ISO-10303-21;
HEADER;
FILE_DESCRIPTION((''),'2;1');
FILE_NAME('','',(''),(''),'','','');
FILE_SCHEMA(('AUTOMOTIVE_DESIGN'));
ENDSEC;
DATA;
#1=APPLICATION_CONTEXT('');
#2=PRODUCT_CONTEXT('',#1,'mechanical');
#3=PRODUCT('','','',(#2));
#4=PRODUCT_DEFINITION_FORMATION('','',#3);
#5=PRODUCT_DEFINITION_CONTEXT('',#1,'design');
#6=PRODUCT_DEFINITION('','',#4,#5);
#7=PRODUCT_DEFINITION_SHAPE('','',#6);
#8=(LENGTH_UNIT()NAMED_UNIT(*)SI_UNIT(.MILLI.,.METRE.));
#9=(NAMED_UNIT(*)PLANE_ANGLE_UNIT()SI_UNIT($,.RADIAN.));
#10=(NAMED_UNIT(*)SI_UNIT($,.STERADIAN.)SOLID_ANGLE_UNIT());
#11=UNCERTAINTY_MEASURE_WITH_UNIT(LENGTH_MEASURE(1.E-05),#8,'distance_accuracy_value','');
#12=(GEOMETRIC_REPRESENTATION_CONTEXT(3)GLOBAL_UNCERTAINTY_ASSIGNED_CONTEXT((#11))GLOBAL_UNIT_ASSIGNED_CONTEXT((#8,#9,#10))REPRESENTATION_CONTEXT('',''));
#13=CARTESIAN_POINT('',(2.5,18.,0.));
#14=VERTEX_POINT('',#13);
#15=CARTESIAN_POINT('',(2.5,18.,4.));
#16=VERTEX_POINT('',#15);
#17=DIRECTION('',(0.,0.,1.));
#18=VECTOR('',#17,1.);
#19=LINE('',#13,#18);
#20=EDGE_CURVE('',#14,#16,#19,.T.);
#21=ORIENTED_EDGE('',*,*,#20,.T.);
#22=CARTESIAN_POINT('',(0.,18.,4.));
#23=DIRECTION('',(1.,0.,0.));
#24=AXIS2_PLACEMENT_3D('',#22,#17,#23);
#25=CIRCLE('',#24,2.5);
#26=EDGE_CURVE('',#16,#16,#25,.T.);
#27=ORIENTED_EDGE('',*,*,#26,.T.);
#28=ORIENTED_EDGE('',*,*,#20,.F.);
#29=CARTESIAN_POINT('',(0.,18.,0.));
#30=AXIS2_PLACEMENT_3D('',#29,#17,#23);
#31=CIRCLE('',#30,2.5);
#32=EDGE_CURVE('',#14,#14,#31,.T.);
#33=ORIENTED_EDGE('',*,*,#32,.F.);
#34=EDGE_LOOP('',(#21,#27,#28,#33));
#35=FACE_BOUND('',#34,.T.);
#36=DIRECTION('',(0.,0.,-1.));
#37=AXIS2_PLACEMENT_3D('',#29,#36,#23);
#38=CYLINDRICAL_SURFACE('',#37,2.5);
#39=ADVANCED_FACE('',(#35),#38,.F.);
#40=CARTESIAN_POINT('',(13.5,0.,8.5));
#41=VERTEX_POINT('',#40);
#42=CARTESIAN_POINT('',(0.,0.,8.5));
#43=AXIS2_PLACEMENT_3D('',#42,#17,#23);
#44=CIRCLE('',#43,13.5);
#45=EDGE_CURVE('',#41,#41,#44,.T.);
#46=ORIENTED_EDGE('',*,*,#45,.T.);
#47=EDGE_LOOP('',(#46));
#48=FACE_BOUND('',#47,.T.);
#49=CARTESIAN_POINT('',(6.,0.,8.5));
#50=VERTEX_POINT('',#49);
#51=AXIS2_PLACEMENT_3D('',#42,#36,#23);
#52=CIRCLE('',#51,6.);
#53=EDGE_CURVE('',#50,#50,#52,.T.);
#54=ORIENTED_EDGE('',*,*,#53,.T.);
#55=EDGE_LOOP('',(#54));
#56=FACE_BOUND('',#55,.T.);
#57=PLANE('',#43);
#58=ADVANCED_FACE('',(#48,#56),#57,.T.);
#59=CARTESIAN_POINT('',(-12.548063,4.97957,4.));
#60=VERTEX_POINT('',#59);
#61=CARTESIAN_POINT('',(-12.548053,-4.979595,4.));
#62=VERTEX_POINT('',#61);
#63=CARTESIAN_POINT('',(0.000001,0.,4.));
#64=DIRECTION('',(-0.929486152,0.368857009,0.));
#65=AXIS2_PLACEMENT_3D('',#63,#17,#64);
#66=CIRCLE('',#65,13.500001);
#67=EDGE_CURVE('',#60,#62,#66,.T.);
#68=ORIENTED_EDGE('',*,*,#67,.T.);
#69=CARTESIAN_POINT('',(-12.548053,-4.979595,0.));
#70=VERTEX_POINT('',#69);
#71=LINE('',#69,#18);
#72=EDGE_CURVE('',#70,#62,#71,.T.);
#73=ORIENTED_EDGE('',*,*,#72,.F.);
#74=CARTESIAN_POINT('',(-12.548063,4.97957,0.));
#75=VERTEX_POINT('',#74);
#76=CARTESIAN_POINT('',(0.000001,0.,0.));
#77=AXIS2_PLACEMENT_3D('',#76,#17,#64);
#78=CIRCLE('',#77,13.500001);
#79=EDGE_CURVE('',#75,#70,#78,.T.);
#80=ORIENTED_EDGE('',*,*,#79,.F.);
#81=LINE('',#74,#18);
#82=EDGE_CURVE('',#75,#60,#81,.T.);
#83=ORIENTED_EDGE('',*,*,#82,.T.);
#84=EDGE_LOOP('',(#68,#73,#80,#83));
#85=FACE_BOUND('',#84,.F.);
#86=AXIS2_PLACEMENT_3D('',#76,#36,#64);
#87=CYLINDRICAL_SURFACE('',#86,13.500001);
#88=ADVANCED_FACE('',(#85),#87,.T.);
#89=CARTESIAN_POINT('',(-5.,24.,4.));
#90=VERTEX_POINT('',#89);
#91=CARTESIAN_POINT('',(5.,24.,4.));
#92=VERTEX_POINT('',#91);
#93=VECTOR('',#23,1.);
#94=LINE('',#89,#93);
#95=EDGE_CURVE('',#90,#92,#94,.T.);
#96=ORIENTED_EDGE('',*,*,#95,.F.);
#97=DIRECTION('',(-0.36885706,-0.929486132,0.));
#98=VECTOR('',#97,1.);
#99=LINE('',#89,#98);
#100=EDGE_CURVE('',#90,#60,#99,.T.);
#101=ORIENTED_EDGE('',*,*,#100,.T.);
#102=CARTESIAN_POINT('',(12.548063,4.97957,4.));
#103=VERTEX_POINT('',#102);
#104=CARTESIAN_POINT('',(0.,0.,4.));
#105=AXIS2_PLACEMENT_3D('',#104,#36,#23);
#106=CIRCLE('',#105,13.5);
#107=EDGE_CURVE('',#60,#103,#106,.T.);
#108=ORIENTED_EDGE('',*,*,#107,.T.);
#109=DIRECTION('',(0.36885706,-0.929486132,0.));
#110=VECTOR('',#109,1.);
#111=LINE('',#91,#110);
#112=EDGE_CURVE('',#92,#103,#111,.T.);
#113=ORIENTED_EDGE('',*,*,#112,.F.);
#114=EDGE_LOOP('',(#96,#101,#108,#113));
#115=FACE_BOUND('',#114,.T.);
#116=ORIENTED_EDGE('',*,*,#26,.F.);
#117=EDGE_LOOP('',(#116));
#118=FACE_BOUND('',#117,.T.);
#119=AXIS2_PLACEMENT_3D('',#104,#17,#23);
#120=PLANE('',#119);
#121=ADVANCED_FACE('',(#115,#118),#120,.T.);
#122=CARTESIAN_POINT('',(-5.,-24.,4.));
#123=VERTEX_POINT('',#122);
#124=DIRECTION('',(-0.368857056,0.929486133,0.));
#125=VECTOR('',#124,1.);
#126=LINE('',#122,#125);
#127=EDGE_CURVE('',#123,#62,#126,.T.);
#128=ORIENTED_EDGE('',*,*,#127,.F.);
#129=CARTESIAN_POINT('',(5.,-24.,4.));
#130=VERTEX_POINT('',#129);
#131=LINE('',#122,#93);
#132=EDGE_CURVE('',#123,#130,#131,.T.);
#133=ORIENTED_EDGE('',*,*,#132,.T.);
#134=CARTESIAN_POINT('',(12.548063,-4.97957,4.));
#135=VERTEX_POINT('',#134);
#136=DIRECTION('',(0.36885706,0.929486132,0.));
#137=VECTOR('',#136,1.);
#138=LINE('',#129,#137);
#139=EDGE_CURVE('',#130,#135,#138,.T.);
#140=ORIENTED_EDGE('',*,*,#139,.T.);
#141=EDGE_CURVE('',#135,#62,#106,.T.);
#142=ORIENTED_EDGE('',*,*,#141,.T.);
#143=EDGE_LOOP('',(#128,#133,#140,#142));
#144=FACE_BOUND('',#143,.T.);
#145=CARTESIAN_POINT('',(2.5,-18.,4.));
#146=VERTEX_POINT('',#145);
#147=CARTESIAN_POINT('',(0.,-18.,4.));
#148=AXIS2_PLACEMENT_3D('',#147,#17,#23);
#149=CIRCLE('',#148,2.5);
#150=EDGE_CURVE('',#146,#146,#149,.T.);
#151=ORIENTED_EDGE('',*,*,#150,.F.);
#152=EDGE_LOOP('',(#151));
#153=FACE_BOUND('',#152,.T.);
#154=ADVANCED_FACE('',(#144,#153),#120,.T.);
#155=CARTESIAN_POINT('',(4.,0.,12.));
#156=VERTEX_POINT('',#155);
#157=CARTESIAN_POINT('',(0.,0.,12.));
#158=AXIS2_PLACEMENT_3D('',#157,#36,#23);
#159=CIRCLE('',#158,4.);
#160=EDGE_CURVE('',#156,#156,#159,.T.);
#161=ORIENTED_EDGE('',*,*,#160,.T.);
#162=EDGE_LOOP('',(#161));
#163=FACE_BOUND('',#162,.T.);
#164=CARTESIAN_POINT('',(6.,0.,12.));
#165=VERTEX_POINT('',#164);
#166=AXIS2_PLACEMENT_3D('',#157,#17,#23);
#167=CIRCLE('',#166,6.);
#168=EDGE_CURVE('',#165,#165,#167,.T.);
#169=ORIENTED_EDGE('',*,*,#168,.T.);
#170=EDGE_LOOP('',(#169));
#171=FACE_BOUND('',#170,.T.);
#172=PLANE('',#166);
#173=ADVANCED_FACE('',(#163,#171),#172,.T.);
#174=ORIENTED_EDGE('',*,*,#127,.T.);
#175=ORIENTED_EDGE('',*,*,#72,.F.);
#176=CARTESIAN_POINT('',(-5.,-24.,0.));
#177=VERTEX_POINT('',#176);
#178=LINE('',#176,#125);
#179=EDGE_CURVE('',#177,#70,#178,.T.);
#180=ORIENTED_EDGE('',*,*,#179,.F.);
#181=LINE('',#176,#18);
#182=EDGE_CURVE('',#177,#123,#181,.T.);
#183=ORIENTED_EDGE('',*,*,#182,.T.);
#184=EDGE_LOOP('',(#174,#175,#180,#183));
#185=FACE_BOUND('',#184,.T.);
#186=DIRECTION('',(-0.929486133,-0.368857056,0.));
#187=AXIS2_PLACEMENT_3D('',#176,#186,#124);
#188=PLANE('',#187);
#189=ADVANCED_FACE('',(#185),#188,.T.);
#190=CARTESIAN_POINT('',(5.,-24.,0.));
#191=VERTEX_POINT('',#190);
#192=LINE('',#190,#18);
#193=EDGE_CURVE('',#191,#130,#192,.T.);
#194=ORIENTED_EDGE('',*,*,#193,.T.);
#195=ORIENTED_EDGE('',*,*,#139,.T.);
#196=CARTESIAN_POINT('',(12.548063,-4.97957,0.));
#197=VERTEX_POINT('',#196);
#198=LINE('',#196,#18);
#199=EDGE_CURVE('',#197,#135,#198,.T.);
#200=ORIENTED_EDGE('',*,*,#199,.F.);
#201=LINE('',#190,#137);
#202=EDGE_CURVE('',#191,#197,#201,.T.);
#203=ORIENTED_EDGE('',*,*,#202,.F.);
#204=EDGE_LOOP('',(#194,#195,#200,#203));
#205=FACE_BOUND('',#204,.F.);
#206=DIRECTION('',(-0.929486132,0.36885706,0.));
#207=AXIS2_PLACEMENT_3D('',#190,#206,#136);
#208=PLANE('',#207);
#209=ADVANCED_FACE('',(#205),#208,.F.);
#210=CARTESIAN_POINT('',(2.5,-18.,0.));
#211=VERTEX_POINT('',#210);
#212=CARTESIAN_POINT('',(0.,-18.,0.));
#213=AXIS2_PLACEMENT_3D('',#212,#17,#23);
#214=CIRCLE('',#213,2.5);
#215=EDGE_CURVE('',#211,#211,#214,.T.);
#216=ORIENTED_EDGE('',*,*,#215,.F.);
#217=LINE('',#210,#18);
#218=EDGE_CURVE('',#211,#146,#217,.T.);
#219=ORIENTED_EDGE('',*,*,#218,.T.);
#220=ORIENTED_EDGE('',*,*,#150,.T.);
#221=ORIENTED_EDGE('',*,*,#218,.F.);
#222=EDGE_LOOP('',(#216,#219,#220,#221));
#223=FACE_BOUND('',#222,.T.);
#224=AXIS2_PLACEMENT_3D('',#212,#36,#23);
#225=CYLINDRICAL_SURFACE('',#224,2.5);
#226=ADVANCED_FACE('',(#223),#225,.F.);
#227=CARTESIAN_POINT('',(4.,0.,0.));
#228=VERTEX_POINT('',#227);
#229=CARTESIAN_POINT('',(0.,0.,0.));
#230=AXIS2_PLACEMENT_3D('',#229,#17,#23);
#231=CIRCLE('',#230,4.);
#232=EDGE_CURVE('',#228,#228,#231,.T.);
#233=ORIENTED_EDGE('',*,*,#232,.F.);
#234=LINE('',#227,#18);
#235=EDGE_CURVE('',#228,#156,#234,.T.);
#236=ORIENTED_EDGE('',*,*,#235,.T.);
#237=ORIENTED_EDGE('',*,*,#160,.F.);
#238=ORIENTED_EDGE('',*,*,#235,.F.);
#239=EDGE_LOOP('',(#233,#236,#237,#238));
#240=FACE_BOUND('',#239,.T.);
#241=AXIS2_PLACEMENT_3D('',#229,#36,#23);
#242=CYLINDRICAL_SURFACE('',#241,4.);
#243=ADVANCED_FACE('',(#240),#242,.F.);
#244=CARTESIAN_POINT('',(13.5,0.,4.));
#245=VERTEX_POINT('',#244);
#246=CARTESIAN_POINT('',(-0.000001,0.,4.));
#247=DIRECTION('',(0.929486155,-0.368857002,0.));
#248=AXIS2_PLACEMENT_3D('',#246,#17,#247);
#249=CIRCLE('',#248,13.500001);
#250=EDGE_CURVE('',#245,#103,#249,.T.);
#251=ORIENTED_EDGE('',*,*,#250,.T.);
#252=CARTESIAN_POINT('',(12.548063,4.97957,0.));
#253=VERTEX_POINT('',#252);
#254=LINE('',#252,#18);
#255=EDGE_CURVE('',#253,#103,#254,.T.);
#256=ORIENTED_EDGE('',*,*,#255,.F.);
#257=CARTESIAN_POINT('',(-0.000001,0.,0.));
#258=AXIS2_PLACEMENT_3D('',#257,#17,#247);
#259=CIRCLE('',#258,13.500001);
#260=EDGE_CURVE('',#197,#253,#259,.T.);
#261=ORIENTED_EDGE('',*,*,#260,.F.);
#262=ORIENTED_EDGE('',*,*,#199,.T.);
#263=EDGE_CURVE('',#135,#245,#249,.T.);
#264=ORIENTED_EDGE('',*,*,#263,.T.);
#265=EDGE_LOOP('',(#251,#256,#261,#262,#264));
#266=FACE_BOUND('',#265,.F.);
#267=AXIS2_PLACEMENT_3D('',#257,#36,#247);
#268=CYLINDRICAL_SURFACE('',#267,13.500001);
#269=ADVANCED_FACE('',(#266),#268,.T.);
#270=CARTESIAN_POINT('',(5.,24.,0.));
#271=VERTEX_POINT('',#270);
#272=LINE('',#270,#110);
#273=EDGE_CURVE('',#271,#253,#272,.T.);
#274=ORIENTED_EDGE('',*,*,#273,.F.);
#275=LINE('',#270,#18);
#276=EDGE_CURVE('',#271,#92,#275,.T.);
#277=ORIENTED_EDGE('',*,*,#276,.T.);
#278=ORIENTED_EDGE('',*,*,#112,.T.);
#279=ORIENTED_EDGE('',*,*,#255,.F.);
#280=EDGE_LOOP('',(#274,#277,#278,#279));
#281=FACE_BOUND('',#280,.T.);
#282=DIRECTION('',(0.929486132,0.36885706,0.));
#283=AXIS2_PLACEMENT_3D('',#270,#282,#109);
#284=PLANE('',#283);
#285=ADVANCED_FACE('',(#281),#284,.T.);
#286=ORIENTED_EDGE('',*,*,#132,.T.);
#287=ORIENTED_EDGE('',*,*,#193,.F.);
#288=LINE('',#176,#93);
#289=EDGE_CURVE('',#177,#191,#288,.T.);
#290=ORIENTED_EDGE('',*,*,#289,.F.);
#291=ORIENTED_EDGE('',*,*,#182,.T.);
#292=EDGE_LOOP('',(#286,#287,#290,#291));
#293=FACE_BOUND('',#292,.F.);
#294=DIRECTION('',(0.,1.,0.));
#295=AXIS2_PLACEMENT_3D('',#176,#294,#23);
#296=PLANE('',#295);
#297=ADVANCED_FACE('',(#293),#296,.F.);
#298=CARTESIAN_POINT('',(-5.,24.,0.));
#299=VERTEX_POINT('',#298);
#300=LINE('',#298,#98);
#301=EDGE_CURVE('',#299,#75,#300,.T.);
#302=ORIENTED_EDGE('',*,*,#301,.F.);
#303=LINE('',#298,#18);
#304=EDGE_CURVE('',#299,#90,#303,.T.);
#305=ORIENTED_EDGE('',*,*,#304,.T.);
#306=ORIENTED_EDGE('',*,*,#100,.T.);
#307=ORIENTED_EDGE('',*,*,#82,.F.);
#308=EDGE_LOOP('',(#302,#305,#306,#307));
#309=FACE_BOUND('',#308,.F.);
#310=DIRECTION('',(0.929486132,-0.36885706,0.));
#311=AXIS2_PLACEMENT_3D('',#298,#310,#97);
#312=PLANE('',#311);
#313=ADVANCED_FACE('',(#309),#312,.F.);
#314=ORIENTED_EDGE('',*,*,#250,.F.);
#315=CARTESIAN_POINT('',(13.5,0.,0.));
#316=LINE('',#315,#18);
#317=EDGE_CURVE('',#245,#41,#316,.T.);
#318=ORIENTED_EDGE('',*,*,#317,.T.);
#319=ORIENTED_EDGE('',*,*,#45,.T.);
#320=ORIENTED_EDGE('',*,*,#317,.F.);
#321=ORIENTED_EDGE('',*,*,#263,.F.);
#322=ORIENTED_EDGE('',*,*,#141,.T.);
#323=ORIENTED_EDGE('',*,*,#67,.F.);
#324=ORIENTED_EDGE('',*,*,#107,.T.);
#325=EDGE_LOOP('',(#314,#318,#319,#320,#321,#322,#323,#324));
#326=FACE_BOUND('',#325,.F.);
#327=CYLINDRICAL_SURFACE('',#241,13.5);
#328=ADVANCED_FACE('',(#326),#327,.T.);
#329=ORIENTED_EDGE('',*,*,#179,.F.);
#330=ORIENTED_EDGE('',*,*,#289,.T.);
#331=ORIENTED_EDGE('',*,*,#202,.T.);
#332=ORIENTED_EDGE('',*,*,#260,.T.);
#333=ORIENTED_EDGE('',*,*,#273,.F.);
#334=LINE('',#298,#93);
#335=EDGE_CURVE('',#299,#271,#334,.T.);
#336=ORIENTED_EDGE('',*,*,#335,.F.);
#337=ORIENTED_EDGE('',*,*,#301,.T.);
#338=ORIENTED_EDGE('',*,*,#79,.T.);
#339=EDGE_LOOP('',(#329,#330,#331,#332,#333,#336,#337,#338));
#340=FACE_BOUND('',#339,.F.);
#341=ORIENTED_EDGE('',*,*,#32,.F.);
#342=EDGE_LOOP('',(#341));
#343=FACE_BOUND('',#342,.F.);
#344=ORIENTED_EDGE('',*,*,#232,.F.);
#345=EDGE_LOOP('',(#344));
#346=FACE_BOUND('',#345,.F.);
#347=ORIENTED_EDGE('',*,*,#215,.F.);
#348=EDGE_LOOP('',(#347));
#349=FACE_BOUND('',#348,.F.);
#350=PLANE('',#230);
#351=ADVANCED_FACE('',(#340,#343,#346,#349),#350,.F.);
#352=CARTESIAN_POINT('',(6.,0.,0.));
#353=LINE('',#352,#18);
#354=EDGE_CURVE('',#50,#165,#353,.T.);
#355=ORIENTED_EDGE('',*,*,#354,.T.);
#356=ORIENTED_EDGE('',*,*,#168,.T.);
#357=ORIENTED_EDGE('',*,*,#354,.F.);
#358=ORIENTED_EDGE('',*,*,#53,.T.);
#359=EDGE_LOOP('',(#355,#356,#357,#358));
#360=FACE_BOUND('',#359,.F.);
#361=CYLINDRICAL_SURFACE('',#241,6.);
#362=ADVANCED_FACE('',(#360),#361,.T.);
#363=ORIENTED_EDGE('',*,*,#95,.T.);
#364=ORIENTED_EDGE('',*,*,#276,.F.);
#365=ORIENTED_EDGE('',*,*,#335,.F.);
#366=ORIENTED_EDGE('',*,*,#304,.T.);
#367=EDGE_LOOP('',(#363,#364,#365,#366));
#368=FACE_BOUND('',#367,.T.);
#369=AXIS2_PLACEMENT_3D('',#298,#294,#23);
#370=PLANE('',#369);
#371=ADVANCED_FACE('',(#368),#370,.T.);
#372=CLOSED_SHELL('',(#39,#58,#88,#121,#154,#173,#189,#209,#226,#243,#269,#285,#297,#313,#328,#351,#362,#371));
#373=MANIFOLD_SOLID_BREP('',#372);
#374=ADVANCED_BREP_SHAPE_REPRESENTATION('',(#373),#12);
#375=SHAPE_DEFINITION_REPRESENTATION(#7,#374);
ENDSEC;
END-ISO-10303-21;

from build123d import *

# Parameters (mm, degrees)
SKETCH_R          = 6
PAD_DEPTH         = 12
SKETCH001_R       = 2.5
PAD001_DEPTH      = 4
SKETCH002_R       = 13.5
PAD002_DEPTH      = 8.5
SKETCH003_R       = 4
POCKET_DEPTH      = 0.001
POCKET_DEPTH_BACK = 12.001


with BuildPart() as part:
    # Sketch → Pad (new body)
    with BuildSketch(Plane.XY):
        Circle(SKETCH_R)
    extrude(amount=PAD_DEPTH)

    # Sketch001 → Pad001 (join)
    with BuildSketch(Plane.XY):
        with BuildLine():
            ThreePointArc((12.548063, -4.97957), (13.5, 0), (12.548063, 4.97957))
            Line((5, 24), (12.548063, 4.97957))
            Line((-5, 24), (5, 24))
            Line((-5, 24), (-12.548063, 4.97957))
            ThreePointArc((-12.548063, 4.97957), (-13.5, -1.3e-05), (-12.548053, -4.979595))
            Line((-5, -24), (-12.548053, -4.979595))
            Line((-5, -24), (5, -24))
            Line((5, -24), (12.548063, -4.97957))
        make_face()
        with Locations((0, 18)):
            Circle(SKETCH001_R, mode=Mode.SUBTRACT)
        with Locations((0, -18)):
            Circle(SKETCH001_R, mode=Mode.SUBTRACT)
    extrude(amount=PAD001_DEPTH)

    # Sketch002 → Pad002 (join)
    with BuildSketch(Plane.XY):
        Circle(SKETCH002_R)
    extrude(amount=PAD002_DEPTH)

    # Sketch003 → Pocket (cut, two sides)
    with BuildSketch(Plane.XY) as pocket_sk:
        Circle(SKETCH003_R)
    extrude(amount=-POCKET_DEPTH, mode=Mode.SUBTRACT)
    extrude(pocket_sk.sketch, amount=POCKET_DEPTH_BACK, mode=Mode.SUBTRACT)


solid = part.part
